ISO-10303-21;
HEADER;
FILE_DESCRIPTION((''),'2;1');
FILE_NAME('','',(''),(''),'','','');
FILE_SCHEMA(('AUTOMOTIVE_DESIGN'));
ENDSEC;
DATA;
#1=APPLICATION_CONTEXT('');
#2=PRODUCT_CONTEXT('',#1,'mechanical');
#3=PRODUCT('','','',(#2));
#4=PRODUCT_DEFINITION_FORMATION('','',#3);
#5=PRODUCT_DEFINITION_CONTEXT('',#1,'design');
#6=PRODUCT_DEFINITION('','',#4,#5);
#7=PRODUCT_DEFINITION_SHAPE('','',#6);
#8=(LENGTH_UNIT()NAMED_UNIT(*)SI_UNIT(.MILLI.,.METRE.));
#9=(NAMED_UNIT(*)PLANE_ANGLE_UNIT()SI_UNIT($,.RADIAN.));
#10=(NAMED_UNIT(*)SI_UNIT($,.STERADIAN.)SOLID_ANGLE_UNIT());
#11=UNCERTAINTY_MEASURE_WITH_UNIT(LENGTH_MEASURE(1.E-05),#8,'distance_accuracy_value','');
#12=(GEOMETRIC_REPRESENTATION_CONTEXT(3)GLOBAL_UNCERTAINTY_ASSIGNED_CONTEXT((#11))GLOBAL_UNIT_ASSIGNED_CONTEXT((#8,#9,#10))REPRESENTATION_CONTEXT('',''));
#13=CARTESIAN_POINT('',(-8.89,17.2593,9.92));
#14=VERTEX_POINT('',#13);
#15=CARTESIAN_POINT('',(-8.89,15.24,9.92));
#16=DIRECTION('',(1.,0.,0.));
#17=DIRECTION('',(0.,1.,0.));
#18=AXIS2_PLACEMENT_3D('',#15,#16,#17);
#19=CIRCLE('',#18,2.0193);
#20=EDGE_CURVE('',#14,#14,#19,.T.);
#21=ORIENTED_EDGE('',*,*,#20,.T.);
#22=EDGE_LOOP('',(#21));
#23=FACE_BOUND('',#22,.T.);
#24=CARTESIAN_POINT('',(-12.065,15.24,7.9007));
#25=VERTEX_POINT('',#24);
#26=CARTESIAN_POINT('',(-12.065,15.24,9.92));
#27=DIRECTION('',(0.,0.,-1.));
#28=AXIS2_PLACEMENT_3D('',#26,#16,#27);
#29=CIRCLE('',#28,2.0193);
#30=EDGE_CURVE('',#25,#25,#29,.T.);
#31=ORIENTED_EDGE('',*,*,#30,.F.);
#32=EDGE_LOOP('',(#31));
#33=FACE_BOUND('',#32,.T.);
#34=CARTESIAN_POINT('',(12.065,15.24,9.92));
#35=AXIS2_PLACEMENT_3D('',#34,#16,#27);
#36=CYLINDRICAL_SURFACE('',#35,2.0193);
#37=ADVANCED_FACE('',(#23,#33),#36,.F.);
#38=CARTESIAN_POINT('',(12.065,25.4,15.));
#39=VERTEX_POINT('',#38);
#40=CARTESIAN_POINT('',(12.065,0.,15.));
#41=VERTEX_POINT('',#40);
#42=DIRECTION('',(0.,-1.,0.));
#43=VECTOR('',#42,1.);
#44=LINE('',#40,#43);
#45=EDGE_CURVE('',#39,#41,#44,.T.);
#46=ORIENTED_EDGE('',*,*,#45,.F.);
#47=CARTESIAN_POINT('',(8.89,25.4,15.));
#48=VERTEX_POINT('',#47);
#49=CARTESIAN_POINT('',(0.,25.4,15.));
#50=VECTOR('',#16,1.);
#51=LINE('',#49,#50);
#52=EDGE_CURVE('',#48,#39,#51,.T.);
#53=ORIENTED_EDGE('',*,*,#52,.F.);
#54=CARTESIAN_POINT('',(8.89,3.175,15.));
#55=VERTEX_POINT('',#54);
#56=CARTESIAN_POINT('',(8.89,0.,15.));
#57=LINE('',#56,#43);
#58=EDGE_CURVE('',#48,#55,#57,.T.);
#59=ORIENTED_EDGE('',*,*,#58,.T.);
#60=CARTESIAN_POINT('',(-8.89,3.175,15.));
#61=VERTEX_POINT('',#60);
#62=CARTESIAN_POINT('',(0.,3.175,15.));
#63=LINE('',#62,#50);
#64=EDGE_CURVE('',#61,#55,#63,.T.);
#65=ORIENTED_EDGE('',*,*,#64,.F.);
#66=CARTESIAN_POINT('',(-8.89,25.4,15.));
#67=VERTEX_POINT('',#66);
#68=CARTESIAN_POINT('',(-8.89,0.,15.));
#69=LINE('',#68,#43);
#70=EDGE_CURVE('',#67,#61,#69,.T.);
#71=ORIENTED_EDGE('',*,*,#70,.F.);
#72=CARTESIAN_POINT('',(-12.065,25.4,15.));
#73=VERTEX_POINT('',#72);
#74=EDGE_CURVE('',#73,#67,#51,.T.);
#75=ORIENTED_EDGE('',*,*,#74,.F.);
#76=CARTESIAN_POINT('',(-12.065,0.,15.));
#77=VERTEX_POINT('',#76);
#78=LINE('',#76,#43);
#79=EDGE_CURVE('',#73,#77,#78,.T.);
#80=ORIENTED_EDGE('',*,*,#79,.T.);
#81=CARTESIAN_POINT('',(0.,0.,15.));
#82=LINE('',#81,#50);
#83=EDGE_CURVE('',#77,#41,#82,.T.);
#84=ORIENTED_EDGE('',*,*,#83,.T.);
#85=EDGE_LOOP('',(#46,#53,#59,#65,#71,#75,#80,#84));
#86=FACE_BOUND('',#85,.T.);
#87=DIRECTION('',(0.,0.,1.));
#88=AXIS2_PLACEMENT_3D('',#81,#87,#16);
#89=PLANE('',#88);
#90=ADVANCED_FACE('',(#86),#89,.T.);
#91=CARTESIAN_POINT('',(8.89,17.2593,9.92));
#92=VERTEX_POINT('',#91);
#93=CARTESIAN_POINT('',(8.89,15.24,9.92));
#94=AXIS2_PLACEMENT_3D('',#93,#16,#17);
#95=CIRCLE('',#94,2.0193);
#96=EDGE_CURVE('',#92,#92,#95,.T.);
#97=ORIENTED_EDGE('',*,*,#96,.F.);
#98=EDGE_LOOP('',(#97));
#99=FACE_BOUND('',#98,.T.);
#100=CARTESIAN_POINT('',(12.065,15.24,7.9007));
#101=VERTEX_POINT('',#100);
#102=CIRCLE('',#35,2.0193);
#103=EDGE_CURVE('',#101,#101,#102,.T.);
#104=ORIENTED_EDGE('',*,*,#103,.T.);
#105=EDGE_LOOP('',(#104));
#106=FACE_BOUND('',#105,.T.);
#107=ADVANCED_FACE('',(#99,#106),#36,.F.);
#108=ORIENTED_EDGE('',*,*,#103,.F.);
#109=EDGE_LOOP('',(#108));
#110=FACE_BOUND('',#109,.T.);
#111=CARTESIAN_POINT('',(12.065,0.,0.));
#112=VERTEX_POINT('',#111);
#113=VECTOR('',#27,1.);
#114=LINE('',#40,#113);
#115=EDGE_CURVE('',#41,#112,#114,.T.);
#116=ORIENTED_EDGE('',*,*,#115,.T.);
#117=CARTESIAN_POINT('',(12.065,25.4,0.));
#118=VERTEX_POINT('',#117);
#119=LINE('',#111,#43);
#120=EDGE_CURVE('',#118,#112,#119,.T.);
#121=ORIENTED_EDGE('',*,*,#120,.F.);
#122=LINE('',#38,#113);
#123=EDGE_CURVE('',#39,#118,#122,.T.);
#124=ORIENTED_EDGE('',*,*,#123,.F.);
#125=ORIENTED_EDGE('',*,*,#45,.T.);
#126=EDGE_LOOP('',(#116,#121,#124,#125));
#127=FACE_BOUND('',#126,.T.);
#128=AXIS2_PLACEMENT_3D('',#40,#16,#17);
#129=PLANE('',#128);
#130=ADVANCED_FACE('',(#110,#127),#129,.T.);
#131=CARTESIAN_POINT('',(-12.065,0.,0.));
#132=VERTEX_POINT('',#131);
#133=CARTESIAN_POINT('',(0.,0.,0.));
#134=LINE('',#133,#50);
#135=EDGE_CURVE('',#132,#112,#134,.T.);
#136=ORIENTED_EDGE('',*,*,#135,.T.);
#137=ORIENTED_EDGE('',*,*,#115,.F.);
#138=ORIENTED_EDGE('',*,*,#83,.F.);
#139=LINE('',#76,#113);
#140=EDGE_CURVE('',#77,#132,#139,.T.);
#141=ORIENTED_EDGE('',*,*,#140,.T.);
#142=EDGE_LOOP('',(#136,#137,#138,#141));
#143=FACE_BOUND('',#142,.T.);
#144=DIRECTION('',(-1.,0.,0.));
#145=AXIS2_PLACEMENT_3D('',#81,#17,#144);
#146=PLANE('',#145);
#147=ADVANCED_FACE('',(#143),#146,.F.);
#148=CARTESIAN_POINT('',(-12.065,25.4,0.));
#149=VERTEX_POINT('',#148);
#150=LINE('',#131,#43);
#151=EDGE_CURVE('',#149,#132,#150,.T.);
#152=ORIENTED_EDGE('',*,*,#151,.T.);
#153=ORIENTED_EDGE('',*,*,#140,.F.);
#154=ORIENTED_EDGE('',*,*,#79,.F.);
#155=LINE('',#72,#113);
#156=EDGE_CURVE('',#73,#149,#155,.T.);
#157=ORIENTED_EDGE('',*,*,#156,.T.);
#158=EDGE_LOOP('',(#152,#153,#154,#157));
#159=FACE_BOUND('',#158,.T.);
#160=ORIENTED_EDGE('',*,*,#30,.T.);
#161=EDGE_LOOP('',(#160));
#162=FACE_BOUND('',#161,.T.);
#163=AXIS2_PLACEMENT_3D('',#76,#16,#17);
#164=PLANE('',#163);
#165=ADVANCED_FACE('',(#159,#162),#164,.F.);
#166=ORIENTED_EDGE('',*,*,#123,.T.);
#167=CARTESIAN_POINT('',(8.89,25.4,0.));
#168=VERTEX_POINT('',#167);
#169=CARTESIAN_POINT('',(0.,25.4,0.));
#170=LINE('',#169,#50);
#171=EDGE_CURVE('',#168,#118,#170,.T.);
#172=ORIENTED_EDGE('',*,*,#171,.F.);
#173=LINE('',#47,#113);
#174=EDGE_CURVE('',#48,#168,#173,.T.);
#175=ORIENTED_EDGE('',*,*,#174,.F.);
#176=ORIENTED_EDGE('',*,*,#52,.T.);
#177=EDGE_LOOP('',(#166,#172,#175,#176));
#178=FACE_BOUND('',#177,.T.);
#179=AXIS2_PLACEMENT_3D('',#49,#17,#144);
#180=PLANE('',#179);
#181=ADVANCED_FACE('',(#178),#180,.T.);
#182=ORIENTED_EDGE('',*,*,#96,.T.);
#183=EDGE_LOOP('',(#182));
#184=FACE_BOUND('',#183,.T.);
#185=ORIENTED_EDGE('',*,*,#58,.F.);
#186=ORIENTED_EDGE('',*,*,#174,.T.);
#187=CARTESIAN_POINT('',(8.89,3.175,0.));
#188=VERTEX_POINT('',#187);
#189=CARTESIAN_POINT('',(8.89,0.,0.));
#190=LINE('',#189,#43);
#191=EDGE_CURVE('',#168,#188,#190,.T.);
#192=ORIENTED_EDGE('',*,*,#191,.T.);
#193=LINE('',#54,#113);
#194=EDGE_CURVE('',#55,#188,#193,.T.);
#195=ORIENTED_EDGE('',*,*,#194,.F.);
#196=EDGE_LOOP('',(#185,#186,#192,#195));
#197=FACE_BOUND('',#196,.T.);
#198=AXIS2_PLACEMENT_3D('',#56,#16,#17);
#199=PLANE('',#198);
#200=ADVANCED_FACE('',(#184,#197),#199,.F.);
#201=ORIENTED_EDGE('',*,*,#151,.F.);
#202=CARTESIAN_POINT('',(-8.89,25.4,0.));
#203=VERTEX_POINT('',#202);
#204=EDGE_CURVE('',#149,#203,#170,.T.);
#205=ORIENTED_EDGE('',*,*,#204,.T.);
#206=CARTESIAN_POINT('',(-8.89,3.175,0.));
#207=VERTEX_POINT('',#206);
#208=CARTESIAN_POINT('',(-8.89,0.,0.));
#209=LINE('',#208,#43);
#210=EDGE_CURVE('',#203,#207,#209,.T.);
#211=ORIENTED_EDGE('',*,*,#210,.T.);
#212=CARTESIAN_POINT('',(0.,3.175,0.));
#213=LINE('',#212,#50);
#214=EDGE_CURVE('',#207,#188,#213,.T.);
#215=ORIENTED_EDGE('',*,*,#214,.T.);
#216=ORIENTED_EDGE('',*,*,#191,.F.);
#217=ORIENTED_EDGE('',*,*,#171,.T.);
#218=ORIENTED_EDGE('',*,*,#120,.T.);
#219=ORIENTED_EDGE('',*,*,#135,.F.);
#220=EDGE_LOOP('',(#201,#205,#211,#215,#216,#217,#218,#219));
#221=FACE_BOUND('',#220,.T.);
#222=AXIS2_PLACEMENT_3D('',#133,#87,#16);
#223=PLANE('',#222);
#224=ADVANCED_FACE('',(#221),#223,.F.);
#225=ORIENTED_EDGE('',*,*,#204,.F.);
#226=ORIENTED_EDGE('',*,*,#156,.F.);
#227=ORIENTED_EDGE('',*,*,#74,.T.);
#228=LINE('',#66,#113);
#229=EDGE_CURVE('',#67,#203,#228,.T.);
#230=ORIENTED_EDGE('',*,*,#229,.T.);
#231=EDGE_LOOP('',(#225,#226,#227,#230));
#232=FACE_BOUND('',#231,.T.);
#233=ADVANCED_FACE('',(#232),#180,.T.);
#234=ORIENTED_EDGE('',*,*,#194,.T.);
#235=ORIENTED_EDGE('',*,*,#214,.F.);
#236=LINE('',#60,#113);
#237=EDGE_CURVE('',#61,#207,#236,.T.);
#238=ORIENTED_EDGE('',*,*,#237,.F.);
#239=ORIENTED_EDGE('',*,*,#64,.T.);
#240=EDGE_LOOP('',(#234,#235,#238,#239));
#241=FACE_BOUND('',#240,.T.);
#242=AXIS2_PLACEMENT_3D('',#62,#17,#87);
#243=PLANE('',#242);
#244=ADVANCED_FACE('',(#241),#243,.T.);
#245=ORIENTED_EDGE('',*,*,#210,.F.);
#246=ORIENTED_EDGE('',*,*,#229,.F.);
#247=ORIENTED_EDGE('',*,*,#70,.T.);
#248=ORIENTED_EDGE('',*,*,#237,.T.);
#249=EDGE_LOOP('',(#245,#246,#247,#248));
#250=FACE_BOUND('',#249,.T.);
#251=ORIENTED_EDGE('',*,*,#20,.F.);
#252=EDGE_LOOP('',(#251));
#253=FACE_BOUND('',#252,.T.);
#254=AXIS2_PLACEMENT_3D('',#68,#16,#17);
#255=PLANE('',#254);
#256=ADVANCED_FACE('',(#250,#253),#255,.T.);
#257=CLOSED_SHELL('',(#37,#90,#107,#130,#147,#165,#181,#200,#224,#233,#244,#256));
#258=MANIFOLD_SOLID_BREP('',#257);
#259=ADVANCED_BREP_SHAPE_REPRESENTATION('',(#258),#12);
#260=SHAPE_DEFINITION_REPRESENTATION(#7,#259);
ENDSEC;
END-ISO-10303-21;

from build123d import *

# Parameters (mm, degrees)
BOSS_EXTRUDE1_DEPTH    = 15
F_10_32_TAPPED_HOLE1_D = 4.0386


with BuildPart() as part:
    # Sketch1 → Boss-Extrude1 (new body)
    with BuildSketch(Plane.XY):
        Polygon((-8.89, 25.4), (-12.065, 25.4), (-12.065, 0), (12.065, 0), (12.065, 25.4), (8.89, 25.4), (8.89, 3.175), (-8.89, 3.175), align=None)
    extrude(amount=BOSS_EXTRUDE1_DEPTH)

    # #10-32 Tapped Hole1 (through all)
    with Locations(Plane(origin=(12.065, 0, 0), x_dir=(0, 0, -1), z_dir=(1, 0, 0))):
        with Locations((-9.92, 15.24)):
            Hole(F_10_32_TAPPED_HOLE1_D / 2)


solid = part.part
